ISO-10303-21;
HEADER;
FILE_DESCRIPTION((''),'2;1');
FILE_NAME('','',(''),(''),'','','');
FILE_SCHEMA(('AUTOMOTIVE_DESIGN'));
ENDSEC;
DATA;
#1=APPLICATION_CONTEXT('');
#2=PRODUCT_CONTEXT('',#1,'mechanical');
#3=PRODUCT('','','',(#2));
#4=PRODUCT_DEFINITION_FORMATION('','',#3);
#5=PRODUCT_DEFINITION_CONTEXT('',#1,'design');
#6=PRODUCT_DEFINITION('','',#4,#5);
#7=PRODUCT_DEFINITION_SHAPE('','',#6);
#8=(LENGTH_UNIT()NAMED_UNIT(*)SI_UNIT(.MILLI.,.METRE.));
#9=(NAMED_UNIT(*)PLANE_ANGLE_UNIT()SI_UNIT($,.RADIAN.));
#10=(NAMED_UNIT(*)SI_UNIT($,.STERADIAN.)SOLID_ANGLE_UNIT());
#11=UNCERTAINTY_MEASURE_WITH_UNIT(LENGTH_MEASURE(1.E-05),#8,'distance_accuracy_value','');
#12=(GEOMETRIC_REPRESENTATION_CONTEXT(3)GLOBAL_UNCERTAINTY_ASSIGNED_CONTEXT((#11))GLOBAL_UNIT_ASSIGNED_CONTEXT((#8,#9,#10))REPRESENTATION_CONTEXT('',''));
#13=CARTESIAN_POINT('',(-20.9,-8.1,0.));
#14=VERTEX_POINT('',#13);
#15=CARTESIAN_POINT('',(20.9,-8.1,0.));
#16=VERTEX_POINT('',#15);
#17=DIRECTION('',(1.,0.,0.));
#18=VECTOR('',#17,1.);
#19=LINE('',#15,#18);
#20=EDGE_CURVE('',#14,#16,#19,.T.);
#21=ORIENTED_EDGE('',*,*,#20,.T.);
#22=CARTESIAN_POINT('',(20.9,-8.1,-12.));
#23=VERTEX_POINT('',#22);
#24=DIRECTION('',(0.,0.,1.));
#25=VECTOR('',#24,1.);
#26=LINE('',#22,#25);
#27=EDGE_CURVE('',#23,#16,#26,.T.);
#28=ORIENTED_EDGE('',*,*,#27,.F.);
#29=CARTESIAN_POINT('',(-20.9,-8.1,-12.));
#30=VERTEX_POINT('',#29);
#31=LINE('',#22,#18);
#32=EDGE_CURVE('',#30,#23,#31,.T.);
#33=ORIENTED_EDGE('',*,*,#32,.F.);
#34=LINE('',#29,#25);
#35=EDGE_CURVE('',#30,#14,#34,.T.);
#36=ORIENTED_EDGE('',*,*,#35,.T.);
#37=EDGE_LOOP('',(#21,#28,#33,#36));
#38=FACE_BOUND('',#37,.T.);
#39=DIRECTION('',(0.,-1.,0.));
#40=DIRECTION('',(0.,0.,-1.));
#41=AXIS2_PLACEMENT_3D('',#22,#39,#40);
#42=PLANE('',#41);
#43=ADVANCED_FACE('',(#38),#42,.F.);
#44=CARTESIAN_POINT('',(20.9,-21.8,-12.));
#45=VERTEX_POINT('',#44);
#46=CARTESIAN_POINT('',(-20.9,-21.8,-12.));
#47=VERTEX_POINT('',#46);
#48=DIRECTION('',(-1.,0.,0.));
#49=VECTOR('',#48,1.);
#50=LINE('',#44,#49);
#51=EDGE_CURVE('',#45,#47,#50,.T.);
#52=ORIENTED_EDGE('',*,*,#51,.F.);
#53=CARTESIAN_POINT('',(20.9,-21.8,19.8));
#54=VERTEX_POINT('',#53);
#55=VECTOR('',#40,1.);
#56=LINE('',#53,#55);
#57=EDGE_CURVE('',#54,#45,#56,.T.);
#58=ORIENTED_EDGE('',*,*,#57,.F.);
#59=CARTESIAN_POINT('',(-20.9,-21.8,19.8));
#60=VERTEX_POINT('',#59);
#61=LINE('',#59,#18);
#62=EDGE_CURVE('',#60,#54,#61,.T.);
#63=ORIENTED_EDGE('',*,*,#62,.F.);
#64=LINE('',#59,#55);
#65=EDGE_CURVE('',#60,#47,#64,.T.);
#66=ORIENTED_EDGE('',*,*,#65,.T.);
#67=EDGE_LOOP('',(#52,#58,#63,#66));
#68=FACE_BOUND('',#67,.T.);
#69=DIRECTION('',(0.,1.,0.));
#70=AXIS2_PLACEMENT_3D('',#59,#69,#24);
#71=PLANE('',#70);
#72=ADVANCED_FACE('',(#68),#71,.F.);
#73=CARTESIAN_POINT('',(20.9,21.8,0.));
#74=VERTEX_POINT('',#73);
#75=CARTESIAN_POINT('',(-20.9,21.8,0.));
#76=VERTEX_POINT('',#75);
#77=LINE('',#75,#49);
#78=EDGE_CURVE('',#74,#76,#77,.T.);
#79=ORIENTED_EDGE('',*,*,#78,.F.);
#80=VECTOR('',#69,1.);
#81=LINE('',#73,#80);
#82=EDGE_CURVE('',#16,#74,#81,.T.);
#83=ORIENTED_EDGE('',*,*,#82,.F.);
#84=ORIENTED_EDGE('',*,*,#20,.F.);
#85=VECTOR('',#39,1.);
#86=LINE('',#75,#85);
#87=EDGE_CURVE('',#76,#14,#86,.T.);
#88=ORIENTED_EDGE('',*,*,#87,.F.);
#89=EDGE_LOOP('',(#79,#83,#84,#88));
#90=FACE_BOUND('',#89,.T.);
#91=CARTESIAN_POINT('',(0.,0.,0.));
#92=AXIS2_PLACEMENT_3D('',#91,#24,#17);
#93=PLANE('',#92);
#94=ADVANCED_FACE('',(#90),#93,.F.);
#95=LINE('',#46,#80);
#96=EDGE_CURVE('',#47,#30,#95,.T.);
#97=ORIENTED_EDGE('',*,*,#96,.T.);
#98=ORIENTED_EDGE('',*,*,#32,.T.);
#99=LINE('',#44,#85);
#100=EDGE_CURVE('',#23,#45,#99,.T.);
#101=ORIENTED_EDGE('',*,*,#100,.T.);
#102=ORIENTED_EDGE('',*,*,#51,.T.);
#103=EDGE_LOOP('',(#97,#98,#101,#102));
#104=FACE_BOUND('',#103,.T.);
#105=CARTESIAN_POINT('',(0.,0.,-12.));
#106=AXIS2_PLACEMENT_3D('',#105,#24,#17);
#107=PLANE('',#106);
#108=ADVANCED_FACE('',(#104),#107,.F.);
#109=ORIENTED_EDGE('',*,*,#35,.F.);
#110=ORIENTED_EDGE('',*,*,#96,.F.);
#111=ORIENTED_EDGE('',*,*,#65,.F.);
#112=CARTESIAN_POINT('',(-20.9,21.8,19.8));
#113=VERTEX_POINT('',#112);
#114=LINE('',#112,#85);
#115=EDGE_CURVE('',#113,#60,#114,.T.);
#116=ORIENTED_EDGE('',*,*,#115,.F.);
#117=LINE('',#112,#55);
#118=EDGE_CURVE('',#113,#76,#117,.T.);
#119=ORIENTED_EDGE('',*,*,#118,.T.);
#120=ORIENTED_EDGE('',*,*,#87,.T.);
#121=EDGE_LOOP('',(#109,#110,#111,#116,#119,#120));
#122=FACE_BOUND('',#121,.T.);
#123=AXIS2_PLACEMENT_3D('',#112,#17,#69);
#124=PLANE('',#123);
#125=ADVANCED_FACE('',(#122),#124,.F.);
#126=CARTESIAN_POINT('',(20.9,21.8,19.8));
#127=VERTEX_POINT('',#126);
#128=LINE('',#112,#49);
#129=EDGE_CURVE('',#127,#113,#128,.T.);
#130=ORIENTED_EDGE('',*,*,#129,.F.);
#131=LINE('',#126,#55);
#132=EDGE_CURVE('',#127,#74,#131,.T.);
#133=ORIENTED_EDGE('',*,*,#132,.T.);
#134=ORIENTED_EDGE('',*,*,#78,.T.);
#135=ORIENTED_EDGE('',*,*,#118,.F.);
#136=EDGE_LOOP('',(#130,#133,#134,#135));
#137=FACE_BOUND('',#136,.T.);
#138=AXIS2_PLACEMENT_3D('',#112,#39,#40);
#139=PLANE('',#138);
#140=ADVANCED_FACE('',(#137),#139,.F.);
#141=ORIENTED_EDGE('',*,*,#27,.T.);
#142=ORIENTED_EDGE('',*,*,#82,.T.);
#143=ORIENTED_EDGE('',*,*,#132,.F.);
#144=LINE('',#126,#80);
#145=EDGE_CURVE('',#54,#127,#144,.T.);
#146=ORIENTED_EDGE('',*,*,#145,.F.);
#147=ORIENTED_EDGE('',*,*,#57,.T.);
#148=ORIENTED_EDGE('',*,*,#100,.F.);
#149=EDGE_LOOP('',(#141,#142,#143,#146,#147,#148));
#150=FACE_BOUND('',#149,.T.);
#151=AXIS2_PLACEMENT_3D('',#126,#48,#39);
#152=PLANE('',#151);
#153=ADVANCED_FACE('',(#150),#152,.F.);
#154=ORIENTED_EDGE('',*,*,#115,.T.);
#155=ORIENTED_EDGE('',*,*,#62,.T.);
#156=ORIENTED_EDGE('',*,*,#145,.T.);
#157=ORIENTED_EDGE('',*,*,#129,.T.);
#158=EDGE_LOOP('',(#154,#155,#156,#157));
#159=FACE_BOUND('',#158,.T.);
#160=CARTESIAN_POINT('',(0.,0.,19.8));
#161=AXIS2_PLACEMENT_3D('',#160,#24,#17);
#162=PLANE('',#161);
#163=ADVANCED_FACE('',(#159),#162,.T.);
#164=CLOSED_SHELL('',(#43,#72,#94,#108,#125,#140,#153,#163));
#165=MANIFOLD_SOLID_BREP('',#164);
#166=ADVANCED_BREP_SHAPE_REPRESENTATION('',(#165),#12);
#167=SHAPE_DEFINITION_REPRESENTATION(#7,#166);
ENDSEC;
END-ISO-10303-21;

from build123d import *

# Parameters (mm, degrees)
SKETCH1_W           = 41.8
SKETCH1_H           = 43.6
BOSS_EXTRUDE1_DEPTH = 19.8
SKETCH2_W           = 41.8
SKETCH2_H           = 13.7
BOSS_EXTRUDE2_DEPTH = 12


with BuildPart() as part:
    # Sketch1 → Boss-Extrude1 (new body)
    with BuildSketch(Plane.XY):
        Rectangle(SKETCH1_W, SKETCH1_H)
    extrude(amount=BOSS_EXTRUDE1_DEPTH)

    # Sketch2 → Boss-Extrude2 (add)
    with BuildSketch(Plane(origin=(0, 0, 0), x_dir=(-1, 0, 0), z_dir=(0, 0, -1))):
        with Locations((0, -14.95)):
            Rectangle(SKETCH2_W, SKETCH2_H)
    extrude(amount=BOSS_EXTRUDE2_DEPTH)


solid = part.part
